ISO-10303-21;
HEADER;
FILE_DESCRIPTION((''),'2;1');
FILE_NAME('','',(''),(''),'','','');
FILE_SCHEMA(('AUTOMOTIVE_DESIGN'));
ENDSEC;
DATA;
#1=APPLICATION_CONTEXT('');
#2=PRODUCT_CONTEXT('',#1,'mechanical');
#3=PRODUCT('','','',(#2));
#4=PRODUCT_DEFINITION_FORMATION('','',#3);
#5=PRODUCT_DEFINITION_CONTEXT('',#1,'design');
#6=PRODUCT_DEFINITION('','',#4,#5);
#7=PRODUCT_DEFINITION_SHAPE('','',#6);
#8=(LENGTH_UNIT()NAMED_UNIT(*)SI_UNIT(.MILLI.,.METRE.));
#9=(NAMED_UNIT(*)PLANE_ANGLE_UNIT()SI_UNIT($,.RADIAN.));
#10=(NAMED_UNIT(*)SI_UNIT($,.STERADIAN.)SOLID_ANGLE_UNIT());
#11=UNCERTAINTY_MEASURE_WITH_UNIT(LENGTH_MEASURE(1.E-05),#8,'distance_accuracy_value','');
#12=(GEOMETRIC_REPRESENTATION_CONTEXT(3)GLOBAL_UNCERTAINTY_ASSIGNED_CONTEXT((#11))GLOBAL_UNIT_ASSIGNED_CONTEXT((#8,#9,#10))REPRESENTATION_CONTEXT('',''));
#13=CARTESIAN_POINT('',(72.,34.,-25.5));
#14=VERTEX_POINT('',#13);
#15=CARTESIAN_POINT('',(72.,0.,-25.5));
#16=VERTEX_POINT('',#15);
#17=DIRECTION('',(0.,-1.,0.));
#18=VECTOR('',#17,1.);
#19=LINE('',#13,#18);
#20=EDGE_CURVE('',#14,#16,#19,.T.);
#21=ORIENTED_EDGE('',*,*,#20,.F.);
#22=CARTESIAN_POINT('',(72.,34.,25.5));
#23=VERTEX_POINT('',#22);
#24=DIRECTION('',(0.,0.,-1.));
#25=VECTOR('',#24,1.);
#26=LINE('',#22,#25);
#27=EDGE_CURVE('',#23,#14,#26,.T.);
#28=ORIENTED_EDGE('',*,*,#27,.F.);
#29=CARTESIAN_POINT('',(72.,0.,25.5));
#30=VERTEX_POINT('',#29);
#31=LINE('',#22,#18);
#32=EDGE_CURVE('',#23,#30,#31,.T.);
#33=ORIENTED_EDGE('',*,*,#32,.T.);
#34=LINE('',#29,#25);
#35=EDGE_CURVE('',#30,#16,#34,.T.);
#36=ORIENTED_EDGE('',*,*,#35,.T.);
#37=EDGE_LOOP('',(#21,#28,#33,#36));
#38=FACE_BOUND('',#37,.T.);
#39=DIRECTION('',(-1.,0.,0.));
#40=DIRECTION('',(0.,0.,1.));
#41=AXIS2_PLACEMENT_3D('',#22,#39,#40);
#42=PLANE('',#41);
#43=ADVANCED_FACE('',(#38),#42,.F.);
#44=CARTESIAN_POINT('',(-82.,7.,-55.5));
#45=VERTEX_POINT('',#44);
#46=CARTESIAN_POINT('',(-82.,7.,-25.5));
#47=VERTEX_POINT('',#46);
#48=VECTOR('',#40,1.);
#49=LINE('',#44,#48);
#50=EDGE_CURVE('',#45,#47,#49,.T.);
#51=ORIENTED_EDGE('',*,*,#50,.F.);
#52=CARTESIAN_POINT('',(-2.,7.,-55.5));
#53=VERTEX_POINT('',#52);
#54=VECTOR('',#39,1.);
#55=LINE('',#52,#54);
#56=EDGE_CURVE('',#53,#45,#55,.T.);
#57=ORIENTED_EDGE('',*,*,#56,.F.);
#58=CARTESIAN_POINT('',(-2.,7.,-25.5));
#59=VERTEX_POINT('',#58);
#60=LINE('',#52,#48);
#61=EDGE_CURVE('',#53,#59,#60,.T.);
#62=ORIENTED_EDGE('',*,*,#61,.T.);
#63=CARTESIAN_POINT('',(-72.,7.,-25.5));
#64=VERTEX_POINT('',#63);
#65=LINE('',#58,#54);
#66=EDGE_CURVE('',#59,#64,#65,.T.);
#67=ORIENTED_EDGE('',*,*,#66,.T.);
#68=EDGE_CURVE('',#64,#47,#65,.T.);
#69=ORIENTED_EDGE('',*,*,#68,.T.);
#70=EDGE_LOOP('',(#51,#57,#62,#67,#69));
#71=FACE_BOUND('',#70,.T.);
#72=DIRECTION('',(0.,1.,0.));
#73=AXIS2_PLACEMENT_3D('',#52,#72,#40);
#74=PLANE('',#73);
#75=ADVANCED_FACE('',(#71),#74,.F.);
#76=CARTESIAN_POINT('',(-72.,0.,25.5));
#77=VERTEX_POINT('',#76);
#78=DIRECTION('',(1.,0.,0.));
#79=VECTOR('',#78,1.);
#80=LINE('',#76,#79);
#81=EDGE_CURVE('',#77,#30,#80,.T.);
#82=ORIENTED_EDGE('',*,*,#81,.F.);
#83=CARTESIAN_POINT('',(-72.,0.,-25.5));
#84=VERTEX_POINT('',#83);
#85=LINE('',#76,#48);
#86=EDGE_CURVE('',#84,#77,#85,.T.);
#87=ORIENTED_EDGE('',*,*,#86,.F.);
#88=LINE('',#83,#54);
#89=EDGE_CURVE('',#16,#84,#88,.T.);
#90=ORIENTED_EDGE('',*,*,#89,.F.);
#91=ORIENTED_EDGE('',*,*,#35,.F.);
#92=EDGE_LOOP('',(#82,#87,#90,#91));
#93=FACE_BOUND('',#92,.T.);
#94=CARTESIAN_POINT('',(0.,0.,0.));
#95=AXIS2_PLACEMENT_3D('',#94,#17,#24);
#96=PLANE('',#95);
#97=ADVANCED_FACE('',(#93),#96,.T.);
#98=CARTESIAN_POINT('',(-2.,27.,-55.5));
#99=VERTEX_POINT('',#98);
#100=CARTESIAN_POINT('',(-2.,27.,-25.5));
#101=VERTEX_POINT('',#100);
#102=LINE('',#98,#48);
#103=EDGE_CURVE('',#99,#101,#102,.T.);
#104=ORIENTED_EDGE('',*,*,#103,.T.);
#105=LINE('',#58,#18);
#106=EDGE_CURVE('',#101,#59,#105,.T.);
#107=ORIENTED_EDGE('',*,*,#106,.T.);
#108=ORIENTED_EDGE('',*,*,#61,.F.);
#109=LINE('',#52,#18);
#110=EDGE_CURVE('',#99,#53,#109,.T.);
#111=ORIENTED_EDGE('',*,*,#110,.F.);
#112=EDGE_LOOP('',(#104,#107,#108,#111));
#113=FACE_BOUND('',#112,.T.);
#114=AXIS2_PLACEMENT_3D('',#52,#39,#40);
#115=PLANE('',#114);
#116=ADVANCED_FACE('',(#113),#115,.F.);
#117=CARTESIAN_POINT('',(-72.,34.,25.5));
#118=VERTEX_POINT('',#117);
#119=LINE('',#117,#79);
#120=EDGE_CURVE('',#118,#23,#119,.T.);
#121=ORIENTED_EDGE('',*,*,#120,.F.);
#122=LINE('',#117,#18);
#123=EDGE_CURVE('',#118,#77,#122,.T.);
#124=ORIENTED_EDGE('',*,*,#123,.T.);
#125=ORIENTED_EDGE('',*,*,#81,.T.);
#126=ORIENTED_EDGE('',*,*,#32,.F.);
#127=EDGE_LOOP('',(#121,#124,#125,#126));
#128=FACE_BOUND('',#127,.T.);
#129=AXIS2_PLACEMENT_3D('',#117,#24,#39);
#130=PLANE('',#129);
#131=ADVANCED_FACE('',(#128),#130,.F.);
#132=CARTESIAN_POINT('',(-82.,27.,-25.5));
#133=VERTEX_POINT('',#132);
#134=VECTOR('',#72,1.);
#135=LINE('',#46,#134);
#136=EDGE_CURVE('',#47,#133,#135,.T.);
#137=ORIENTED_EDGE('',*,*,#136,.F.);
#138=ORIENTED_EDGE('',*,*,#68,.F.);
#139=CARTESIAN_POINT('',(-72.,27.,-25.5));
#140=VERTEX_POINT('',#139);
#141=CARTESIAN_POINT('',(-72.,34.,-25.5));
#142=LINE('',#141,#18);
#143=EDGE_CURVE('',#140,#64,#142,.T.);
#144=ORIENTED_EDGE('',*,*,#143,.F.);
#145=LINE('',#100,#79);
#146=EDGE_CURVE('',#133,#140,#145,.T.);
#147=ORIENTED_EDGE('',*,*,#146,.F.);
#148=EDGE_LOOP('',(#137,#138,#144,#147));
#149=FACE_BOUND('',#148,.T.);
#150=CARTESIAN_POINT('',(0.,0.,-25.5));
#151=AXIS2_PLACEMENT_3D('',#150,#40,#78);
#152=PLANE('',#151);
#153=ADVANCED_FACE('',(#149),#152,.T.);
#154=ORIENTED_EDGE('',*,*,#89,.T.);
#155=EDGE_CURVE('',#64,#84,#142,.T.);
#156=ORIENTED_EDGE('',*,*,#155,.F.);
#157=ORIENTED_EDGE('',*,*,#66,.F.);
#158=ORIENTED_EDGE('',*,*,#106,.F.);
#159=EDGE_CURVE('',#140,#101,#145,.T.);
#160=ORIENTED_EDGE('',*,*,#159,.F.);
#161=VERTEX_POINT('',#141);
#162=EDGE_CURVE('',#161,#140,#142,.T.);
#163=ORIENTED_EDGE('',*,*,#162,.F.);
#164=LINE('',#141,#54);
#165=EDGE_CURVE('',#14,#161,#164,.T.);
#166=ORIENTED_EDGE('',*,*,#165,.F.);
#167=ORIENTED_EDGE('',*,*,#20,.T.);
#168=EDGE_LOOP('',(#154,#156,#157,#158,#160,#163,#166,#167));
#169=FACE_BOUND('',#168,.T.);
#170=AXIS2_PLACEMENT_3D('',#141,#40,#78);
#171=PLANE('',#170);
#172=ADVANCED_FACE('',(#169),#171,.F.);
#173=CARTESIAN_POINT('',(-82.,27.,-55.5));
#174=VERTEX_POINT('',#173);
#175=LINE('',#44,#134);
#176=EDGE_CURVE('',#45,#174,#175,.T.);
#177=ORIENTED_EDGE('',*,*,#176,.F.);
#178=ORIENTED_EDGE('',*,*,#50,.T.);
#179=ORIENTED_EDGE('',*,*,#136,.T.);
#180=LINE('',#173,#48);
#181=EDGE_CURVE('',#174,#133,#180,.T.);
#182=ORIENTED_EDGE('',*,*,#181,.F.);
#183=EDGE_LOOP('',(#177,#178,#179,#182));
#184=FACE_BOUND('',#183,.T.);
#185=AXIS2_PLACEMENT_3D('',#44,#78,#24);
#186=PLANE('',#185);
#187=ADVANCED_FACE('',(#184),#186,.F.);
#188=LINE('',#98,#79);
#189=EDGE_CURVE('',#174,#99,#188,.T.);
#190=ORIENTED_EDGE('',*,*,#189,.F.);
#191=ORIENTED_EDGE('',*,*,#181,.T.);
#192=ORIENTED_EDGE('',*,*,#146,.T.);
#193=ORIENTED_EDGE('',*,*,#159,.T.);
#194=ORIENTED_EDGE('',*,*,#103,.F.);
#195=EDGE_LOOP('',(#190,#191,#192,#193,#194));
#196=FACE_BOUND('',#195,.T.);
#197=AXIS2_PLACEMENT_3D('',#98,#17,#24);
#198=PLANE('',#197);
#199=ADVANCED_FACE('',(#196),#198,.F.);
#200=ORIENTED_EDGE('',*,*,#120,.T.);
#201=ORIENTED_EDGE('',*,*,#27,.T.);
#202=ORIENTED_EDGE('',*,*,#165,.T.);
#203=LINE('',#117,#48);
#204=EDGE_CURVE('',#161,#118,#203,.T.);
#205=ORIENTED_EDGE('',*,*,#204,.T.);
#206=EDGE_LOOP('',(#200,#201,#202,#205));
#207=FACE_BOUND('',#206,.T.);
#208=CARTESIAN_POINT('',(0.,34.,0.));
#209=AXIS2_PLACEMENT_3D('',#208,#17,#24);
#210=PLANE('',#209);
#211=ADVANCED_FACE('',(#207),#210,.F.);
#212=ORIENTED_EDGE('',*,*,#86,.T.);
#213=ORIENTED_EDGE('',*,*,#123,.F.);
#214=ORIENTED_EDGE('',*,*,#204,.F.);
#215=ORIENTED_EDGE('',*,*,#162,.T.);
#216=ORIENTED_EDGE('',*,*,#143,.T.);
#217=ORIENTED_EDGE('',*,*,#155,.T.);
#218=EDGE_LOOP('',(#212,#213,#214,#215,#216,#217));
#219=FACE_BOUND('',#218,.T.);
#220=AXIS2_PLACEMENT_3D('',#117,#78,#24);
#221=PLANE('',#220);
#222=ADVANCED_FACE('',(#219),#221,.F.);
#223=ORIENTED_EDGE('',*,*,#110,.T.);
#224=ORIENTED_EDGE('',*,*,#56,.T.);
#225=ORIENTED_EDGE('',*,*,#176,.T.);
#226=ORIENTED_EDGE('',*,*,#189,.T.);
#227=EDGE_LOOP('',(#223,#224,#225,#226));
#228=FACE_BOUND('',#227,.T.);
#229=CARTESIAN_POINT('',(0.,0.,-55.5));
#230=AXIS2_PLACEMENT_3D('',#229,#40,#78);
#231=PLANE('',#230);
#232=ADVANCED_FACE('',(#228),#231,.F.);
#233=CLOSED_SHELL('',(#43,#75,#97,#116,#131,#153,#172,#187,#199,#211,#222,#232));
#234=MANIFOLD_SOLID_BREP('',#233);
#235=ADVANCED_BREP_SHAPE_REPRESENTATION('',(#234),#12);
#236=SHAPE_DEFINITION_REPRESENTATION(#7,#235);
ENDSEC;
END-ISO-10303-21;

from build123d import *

# Parameters (mm, degrees)
SKETCH1_W           = 144
SKETCH1_H           = 51
BOSS_EXTRUDE1_DEPTH = 34
SKETCH2_W           = 80
SKETCH2_H           = 20
BOSS_EXTRUDE2_DEPTH = 30


with BuildPart() as part:
    # Sketch1 → Boss-Extrude1 (new body)
    with BuildSketch(Plane(origin=(0, 0, 0), x_dir=(1, 0, 0), z_dir=(0, 1, 0))):
        Rectangle(SKETCH1_W, SKETCH1_H)
    extrude(amount=BOSS_EXTRUDE1_DEPTH)

    # Sketch2 → Boss-Extrude2 (add)
    with BuildSketch(Plane(origin=(0, 0, -25.5), x_dir=(-1, 0, 0), z_dir=(0, 0, -1))):
        with Locations((42, 17)):
            Rectangle(SKETCH2_W, SKETCH2_H)
    extrude(amount=BOSS_EXTRUDE2_DEPTH)


solid = part.part
